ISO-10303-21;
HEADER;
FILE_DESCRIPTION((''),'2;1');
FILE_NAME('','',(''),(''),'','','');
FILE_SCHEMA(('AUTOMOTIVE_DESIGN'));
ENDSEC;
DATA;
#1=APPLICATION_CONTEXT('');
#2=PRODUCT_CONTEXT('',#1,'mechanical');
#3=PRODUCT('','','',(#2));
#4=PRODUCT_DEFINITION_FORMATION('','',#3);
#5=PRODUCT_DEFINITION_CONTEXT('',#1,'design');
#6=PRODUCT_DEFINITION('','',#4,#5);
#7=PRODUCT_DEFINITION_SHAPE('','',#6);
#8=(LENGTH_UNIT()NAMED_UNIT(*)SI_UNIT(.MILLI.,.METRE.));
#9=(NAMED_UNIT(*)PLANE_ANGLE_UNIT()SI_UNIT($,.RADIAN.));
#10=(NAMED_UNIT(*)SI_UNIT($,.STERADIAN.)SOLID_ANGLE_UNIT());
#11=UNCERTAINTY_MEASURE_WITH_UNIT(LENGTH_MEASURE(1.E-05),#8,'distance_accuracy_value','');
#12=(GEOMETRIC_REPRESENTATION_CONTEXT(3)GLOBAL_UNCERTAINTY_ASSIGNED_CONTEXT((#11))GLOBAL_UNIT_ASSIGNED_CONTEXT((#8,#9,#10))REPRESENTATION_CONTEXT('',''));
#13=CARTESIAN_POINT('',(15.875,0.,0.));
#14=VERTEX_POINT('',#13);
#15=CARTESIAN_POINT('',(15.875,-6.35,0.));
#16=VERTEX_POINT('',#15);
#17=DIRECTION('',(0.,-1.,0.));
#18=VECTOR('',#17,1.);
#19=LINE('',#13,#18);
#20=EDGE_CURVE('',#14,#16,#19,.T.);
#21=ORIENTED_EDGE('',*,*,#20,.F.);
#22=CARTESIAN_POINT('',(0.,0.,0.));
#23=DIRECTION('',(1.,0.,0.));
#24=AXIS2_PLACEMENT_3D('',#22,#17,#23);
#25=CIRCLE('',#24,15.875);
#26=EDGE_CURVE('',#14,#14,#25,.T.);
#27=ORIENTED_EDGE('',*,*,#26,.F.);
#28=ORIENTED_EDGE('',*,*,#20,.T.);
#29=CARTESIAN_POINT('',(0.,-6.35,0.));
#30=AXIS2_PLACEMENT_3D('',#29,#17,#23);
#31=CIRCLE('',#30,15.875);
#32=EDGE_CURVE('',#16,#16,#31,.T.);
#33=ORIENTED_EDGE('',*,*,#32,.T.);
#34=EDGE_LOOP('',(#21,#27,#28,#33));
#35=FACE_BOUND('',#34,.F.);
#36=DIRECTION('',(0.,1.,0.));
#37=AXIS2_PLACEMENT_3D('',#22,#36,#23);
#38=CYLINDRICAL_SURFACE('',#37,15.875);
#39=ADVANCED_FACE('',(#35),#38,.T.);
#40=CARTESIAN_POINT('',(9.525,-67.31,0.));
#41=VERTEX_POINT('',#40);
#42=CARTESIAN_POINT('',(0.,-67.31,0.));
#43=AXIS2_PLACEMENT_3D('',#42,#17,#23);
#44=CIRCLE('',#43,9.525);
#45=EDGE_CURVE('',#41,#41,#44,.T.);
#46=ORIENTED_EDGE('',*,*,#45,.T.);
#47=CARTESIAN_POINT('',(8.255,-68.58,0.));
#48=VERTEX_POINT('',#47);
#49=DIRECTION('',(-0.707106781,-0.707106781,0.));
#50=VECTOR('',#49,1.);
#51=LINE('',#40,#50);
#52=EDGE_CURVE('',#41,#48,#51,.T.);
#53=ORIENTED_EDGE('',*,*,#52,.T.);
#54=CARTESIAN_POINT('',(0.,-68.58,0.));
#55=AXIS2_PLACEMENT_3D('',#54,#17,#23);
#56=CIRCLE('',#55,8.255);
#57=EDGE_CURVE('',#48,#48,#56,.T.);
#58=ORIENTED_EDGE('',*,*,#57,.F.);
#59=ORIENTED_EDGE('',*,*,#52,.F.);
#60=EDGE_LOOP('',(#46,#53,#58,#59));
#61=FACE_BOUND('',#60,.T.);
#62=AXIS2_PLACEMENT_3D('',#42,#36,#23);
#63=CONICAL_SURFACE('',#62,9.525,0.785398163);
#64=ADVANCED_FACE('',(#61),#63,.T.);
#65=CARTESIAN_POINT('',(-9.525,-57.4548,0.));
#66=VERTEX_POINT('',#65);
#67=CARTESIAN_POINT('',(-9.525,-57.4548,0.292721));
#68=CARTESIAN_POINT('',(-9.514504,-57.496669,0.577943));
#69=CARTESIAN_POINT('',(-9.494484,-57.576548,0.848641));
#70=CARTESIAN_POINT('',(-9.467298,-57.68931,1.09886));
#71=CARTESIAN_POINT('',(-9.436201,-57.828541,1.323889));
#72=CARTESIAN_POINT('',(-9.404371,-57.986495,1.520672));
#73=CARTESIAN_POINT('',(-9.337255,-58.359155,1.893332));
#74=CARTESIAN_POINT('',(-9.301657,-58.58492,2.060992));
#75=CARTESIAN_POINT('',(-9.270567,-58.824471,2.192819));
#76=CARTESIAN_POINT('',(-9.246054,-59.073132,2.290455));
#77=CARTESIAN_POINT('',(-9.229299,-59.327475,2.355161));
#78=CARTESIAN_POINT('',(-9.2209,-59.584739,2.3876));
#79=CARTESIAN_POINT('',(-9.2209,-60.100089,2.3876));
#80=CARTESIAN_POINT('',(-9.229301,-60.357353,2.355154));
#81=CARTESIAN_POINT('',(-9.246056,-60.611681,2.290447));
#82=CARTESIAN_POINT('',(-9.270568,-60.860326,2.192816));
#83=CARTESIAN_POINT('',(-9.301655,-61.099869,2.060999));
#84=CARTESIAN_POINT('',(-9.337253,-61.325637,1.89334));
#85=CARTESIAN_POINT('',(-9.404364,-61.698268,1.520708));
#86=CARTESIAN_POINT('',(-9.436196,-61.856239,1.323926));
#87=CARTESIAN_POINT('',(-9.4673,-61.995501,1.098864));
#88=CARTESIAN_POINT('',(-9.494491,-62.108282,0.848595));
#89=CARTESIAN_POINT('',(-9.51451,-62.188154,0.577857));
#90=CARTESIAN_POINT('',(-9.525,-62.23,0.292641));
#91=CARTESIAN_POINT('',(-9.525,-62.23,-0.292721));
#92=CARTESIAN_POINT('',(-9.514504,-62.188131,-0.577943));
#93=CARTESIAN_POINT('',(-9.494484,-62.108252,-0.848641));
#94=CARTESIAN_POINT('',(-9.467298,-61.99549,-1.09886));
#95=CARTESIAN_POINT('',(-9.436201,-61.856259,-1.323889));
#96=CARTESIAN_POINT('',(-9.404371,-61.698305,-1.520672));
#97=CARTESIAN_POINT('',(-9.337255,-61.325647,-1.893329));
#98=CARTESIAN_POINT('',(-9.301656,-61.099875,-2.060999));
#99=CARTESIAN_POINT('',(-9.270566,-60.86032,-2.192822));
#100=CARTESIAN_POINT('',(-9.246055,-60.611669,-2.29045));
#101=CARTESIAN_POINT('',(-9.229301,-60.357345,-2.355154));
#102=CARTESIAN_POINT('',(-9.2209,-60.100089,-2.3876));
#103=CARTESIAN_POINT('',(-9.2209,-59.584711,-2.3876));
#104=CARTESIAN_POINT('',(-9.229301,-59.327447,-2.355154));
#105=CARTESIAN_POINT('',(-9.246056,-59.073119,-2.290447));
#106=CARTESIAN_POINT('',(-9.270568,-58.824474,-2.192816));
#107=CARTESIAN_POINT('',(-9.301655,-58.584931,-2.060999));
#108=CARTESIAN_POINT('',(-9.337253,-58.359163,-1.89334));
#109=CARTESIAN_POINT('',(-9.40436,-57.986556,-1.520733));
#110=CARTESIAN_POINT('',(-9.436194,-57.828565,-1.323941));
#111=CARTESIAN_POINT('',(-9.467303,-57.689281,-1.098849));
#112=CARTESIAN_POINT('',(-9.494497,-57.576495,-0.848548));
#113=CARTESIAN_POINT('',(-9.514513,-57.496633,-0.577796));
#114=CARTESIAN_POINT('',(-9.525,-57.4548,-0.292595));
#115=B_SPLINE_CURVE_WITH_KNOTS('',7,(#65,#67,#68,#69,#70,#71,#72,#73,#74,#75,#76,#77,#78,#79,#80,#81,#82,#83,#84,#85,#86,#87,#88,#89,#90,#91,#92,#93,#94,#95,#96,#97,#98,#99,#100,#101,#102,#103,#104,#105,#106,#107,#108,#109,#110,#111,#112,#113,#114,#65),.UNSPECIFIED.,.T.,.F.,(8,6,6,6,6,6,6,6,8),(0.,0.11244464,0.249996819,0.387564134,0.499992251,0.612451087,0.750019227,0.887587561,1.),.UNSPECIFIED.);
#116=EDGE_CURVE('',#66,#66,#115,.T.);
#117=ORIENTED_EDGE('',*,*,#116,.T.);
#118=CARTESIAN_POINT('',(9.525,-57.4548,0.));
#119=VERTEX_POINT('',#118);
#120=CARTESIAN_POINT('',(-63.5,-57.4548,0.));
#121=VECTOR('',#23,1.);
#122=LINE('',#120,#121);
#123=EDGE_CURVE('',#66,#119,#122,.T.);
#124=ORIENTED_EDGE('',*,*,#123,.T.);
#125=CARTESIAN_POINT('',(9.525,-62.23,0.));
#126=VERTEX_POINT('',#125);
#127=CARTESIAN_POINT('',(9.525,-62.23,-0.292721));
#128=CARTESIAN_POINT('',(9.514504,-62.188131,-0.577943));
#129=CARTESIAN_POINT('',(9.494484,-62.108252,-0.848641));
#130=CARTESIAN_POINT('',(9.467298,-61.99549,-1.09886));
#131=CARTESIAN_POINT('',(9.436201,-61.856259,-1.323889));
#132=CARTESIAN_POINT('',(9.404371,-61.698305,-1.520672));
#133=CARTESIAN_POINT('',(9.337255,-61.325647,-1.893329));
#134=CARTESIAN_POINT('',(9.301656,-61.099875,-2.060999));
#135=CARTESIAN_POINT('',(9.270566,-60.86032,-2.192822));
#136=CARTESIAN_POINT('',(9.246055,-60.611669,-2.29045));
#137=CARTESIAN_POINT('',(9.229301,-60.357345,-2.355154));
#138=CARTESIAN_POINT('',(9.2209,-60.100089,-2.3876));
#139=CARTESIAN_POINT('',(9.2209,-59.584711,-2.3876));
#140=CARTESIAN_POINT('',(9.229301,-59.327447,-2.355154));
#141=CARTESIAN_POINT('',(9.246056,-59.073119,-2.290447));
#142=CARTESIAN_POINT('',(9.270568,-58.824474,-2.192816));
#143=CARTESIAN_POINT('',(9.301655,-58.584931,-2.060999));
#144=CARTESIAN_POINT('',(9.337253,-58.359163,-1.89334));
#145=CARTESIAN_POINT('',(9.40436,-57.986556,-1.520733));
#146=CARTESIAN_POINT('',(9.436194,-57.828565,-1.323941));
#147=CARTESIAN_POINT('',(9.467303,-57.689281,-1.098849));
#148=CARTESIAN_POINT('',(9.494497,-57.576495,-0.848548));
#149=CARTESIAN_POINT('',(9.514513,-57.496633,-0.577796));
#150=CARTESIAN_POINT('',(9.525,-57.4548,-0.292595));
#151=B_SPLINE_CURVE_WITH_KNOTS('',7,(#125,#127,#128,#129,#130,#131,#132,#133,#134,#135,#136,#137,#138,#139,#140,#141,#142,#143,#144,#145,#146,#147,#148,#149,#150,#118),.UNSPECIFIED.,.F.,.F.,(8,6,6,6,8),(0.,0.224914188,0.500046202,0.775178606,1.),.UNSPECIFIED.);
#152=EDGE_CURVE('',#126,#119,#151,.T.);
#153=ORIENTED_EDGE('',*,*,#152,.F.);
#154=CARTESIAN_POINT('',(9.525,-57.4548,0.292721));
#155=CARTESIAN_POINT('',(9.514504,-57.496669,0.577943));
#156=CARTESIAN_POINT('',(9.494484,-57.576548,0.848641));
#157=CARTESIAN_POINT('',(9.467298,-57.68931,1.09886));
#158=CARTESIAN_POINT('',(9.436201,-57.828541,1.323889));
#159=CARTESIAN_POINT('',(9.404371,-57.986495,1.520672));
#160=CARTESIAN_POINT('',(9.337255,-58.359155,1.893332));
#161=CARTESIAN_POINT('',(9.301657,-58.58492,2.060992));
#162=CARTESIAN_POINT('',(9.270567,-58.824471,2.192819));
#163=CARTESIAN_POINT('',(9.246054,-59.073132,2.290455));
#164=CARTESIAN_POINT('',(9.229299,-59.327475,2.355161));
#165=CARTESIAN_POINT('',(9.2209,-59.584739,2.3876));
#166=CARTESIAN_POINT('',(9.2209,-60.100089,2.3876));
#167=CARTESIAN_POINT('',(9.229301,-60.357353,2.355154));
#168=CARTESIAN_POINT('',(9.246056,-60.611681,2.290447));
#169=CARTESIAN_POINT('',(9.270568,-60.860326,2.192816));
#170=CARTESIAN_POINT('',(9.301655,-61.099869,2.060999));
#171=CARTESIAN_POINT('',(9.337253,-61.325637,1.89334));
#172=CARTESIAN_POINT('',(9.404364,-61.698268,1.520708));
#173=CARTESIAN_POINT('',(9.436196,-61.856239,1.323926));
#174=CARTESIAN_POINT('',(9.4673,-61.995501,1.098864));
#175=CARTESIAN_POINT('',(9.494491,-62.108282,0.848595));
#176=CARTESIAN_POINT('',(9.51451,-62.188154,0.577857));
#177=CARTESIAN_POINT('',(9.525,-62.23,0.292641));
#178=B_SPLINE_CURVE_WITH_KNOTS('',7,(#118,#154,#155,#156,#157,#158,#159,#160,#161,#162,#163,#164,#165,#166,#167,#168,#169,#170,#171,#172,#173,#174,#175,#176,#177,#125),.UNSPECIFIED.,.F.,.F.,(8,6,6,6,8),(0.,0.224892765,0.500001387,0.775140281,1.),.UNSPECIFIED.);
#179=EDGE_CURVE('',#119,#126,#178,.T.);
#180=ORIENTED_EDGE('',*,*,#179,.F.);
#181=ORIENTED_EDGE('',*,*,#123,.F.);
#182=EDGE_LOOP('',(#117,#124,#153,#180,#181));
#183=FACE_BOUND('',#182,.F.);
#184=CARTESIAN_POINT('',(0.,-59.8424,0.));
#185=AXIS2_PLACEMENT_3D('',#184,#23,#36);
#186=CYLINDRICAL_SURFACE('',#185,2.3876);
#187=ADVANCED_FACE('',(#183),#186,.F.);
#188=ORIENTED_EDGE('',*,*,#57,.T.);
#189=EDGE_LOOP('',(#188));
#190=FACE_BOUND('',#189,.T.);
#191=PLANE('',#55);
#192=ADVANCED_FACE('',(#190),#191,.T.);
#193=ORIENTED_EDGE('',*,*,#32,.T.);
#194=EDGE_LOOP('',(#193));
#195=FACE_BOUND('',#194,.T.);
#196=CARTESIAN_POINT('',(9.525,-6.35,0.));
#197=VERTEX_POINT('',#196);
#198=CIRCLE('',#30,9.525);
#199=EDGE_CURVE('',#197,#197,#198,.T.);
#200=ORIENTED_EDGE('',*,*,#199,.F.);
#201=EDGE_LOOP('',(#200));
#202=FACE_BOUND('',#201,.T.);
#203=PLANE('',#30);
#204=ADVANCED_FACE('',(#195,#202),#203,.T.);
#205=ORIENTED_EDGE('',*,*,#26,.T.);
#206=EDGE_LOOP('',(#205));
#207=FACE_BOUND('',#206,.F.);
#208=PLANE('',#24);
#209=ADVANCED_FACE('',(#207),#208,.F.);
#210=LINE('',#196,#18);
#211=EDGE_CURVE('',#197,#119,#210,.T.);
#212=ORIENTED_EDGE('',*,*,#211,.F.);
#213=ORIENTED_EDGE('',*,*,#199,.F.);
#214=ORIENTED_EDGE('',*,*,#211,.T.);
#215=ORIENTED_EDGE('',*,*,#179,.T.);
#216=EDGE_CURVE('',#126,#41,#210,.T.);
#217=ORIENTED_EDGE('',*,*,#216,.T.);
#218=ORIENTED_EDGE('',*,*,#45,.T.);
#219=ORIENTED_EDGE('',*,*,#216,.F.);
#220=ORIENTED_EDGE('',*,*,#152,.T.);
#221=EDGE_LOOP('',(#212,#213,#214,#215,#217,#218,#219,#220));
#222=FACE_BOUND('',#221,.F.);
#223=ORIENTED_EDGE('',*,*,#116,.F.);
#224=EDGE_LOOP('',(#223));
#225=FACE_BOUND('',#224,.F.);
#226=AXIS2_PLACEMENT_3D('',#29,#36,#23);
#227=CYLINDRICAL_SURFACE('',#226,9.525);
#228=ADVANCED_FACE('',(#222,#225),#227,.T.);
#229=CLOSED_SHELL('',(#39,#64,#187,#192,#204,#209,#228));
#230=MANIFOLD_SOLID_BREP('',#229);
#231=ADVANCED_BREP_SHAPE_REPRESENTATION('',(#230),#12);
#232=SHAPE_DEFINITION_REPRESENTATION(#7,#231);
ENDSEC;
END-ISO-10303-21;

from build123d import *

# Parameters (mm, degrees)
F0_R     = 15.875
F1_DEPTH = 6.35
F2_R     = 9.525
F3_DEPTH = 62.23
F4_R     = 2.3876
F5_DEPTH = 63.5
F6_SIZE  = 1.27


with BuildPart() as f1:
    # F0 (on Front) → F1 (new body)
    with BuildSketch(Plane.XZ):
        Circle(F0_R)
    extrude(amount=F1_DEPTH)

    # F2 (on face) → F3 (join)
    with BuildSketch(Plane.XZ.offset(6.35)):
        Circle(F2_R)
    extrude(amount=F3_DEPTH)

    # F4 (on Right) → F5 (cut, symmetric)
    with BuildSketch(Plane.YZ):
        with Locations((-59.8424, 0)):
            Circle(F4_R)
    extrude(amount=F5_DEPTH, both=True, mode=Mode.SUBTRACT)

    # F6
    f6_edges = [f1.edges().sort_by_distance(p)[0] for p in [
        (-9.525, -68.58, 0),
    ]]
    chamfer(f6_edges, length=F6_SIZE)


solid = f1.part
